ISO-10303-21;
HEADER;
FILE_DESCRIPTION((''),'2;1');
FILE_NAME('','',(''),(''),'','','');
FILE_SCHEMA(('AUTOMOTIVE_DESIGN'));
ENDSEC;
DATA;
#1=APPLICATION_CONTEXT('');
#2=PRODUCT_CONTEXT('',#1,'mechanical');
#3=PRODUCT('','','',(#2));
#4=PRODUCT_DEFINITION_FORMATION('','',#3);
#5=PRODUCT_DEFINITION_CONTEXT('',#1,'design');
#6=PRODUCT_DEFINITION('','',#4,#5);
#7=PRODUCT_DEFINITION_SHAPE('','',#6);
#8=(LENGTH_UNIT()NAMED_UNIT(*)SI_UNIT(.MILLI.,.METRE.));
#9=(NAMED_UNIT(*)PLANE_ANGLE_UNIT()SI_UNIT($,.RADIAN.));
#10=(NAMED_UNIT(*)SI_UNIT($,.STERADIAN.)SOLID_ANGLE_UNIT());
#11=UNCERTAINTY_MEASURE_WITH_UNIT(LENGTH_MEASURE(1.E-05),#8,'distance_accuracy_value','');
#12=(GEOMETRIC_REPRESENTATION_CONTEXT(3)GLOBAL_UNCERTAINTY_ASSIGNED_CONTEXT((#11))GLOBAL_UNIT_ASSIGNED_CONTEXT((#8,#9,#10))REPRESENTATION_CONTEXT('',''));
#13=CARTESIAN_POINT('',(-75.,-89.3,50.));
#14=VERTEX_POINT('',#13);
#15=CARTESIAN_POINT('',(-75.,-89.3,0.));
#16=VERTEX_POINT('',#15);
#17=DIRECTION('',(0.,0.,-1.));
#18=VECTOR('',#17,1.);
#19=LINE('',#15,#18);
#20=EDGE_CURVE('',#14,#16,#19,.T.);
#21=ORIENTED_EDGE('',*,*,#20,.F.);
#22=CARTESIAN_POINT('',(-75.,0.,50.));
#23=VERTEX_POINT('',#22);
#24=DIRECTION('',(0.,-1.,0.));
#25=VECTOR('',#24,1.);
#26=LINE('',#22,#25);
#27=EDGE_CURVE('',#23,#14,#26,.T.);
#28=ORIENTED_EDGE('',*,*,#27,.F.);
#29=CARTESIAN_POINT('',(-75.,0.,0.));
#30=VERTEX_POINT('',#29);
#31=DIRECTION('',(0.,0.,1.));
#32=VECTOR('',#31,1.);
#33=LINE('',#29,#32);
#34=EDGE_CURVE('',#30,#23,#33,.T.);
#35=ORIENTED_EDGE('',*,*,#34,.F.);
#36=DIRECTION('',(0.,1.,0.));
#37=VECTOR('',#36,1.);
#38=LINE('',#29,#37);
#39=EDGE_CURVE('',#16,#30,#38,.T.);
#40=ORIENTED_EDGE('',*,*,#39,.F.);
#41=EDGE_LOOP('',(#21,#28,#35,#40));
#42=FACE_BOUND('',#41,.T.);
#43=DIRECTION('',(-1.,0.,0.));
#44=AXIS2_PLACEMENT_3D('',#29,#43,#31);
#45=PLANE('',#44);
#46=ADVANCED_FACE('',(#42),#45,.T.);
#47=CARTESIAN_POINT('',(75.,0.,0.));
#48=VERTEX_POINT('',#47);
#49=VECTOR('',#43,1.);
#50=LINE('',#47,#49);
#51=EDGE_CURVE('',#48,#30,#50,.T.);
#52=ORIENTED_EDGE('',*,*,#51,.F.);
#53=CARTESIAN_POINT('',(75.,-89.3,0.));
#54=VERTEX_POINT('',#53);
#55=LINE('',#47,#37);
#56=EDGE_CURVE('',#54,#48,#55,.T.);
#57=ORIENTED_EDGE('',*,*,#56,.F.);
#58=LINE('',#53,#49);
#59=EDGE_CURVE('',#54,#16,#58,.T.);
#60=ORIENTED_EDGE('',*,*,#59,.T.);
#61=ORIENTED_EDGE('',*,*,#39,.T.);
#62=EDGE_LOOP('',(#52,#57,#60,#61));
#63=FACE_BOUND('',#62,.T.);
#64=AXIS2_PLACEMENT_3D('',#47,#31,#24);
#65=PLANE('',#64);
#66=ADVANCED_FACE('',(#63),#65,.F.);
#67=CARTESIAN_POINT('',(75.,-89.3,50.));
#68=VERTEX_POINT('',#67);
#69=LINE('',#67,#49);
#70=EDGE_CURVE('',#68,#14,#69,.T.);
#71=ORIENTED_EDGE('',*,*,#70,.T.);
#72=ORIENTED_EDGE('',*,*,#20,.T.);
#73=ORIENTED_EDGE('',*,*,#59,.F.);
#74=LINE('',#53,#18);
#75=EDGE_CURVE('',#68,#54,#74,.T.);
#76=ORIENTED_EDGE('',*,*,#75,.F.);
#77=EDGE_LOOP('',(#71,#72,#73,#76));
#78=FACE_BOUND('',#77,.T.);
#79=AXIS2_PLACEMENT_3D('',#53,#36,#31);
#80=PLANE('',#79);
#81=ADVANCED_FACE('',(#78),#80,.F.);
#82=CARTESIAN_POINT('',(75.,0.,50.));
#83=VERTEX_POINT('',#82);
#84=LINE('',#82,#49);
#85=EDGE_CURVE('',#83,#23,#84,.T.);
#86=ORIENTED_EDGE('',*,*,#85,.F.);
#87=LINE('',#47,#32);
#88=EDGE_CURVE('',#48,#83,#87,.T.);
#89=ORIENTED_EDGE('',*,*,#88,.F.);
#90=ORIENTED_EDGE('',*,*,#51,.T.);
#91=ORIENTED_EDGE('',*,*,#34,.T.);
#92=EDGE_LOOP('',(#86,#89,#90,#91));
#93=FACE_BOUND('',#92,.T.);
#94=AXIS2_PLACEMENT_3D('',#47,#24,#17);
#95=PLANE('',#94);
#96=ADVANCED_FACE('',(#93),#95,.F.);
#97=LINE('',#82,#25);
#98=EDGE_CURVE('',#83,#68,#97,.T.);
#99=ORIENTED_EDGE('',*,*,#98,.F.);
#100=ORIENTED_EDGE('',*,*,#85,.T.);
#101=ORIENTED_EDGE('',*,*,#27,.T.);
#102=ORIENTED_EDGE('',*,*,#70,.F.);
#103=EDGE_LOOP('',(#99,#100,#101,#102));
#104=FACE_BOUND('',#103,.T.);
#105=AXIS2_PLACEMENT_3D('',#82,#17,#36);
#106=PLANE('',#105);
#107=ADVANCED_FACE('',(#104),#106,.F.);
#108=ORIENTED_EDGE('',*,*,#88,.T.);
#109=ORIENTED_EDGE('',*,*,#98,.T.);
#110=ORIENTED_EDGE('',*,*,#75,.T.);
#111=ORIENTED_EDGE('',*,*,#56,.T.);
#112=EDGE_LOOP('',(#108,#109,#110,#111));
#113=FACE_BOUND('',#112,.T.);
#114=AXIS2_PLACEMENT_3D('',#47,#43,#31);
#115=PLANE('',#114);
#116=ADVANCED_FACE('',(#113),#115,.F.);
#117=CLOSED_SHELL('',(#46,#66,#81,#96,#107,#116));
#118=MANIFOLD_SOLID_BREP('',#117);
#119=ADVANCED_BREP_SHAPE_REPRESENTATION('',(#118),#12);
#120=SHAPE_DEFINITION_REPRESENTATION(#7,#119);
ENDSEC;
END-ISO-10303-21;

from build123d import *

# Parameters (mm, degrees)
SKETCH1_W           = 50
SKETCH1_H           = 89.3
BOSS_EXTRUDE1_DEPTH = 75


with BuildPart() as part:
    # Sketch1 → Boss-Extrude1 (new, symmetric)
    with BuildSketch(Plane(origin=(0, 0, 0), x_dir=(0, 0, -1), z_dir=(1, 0, 0))):
        with Locations((-25, -44.65)):
            Rectangle(SKETCH1_W, SKETCH1_H)
    extrude(amount=BOSS_EXTRUDE1_DEPTH, both=True)


solid = part.part
